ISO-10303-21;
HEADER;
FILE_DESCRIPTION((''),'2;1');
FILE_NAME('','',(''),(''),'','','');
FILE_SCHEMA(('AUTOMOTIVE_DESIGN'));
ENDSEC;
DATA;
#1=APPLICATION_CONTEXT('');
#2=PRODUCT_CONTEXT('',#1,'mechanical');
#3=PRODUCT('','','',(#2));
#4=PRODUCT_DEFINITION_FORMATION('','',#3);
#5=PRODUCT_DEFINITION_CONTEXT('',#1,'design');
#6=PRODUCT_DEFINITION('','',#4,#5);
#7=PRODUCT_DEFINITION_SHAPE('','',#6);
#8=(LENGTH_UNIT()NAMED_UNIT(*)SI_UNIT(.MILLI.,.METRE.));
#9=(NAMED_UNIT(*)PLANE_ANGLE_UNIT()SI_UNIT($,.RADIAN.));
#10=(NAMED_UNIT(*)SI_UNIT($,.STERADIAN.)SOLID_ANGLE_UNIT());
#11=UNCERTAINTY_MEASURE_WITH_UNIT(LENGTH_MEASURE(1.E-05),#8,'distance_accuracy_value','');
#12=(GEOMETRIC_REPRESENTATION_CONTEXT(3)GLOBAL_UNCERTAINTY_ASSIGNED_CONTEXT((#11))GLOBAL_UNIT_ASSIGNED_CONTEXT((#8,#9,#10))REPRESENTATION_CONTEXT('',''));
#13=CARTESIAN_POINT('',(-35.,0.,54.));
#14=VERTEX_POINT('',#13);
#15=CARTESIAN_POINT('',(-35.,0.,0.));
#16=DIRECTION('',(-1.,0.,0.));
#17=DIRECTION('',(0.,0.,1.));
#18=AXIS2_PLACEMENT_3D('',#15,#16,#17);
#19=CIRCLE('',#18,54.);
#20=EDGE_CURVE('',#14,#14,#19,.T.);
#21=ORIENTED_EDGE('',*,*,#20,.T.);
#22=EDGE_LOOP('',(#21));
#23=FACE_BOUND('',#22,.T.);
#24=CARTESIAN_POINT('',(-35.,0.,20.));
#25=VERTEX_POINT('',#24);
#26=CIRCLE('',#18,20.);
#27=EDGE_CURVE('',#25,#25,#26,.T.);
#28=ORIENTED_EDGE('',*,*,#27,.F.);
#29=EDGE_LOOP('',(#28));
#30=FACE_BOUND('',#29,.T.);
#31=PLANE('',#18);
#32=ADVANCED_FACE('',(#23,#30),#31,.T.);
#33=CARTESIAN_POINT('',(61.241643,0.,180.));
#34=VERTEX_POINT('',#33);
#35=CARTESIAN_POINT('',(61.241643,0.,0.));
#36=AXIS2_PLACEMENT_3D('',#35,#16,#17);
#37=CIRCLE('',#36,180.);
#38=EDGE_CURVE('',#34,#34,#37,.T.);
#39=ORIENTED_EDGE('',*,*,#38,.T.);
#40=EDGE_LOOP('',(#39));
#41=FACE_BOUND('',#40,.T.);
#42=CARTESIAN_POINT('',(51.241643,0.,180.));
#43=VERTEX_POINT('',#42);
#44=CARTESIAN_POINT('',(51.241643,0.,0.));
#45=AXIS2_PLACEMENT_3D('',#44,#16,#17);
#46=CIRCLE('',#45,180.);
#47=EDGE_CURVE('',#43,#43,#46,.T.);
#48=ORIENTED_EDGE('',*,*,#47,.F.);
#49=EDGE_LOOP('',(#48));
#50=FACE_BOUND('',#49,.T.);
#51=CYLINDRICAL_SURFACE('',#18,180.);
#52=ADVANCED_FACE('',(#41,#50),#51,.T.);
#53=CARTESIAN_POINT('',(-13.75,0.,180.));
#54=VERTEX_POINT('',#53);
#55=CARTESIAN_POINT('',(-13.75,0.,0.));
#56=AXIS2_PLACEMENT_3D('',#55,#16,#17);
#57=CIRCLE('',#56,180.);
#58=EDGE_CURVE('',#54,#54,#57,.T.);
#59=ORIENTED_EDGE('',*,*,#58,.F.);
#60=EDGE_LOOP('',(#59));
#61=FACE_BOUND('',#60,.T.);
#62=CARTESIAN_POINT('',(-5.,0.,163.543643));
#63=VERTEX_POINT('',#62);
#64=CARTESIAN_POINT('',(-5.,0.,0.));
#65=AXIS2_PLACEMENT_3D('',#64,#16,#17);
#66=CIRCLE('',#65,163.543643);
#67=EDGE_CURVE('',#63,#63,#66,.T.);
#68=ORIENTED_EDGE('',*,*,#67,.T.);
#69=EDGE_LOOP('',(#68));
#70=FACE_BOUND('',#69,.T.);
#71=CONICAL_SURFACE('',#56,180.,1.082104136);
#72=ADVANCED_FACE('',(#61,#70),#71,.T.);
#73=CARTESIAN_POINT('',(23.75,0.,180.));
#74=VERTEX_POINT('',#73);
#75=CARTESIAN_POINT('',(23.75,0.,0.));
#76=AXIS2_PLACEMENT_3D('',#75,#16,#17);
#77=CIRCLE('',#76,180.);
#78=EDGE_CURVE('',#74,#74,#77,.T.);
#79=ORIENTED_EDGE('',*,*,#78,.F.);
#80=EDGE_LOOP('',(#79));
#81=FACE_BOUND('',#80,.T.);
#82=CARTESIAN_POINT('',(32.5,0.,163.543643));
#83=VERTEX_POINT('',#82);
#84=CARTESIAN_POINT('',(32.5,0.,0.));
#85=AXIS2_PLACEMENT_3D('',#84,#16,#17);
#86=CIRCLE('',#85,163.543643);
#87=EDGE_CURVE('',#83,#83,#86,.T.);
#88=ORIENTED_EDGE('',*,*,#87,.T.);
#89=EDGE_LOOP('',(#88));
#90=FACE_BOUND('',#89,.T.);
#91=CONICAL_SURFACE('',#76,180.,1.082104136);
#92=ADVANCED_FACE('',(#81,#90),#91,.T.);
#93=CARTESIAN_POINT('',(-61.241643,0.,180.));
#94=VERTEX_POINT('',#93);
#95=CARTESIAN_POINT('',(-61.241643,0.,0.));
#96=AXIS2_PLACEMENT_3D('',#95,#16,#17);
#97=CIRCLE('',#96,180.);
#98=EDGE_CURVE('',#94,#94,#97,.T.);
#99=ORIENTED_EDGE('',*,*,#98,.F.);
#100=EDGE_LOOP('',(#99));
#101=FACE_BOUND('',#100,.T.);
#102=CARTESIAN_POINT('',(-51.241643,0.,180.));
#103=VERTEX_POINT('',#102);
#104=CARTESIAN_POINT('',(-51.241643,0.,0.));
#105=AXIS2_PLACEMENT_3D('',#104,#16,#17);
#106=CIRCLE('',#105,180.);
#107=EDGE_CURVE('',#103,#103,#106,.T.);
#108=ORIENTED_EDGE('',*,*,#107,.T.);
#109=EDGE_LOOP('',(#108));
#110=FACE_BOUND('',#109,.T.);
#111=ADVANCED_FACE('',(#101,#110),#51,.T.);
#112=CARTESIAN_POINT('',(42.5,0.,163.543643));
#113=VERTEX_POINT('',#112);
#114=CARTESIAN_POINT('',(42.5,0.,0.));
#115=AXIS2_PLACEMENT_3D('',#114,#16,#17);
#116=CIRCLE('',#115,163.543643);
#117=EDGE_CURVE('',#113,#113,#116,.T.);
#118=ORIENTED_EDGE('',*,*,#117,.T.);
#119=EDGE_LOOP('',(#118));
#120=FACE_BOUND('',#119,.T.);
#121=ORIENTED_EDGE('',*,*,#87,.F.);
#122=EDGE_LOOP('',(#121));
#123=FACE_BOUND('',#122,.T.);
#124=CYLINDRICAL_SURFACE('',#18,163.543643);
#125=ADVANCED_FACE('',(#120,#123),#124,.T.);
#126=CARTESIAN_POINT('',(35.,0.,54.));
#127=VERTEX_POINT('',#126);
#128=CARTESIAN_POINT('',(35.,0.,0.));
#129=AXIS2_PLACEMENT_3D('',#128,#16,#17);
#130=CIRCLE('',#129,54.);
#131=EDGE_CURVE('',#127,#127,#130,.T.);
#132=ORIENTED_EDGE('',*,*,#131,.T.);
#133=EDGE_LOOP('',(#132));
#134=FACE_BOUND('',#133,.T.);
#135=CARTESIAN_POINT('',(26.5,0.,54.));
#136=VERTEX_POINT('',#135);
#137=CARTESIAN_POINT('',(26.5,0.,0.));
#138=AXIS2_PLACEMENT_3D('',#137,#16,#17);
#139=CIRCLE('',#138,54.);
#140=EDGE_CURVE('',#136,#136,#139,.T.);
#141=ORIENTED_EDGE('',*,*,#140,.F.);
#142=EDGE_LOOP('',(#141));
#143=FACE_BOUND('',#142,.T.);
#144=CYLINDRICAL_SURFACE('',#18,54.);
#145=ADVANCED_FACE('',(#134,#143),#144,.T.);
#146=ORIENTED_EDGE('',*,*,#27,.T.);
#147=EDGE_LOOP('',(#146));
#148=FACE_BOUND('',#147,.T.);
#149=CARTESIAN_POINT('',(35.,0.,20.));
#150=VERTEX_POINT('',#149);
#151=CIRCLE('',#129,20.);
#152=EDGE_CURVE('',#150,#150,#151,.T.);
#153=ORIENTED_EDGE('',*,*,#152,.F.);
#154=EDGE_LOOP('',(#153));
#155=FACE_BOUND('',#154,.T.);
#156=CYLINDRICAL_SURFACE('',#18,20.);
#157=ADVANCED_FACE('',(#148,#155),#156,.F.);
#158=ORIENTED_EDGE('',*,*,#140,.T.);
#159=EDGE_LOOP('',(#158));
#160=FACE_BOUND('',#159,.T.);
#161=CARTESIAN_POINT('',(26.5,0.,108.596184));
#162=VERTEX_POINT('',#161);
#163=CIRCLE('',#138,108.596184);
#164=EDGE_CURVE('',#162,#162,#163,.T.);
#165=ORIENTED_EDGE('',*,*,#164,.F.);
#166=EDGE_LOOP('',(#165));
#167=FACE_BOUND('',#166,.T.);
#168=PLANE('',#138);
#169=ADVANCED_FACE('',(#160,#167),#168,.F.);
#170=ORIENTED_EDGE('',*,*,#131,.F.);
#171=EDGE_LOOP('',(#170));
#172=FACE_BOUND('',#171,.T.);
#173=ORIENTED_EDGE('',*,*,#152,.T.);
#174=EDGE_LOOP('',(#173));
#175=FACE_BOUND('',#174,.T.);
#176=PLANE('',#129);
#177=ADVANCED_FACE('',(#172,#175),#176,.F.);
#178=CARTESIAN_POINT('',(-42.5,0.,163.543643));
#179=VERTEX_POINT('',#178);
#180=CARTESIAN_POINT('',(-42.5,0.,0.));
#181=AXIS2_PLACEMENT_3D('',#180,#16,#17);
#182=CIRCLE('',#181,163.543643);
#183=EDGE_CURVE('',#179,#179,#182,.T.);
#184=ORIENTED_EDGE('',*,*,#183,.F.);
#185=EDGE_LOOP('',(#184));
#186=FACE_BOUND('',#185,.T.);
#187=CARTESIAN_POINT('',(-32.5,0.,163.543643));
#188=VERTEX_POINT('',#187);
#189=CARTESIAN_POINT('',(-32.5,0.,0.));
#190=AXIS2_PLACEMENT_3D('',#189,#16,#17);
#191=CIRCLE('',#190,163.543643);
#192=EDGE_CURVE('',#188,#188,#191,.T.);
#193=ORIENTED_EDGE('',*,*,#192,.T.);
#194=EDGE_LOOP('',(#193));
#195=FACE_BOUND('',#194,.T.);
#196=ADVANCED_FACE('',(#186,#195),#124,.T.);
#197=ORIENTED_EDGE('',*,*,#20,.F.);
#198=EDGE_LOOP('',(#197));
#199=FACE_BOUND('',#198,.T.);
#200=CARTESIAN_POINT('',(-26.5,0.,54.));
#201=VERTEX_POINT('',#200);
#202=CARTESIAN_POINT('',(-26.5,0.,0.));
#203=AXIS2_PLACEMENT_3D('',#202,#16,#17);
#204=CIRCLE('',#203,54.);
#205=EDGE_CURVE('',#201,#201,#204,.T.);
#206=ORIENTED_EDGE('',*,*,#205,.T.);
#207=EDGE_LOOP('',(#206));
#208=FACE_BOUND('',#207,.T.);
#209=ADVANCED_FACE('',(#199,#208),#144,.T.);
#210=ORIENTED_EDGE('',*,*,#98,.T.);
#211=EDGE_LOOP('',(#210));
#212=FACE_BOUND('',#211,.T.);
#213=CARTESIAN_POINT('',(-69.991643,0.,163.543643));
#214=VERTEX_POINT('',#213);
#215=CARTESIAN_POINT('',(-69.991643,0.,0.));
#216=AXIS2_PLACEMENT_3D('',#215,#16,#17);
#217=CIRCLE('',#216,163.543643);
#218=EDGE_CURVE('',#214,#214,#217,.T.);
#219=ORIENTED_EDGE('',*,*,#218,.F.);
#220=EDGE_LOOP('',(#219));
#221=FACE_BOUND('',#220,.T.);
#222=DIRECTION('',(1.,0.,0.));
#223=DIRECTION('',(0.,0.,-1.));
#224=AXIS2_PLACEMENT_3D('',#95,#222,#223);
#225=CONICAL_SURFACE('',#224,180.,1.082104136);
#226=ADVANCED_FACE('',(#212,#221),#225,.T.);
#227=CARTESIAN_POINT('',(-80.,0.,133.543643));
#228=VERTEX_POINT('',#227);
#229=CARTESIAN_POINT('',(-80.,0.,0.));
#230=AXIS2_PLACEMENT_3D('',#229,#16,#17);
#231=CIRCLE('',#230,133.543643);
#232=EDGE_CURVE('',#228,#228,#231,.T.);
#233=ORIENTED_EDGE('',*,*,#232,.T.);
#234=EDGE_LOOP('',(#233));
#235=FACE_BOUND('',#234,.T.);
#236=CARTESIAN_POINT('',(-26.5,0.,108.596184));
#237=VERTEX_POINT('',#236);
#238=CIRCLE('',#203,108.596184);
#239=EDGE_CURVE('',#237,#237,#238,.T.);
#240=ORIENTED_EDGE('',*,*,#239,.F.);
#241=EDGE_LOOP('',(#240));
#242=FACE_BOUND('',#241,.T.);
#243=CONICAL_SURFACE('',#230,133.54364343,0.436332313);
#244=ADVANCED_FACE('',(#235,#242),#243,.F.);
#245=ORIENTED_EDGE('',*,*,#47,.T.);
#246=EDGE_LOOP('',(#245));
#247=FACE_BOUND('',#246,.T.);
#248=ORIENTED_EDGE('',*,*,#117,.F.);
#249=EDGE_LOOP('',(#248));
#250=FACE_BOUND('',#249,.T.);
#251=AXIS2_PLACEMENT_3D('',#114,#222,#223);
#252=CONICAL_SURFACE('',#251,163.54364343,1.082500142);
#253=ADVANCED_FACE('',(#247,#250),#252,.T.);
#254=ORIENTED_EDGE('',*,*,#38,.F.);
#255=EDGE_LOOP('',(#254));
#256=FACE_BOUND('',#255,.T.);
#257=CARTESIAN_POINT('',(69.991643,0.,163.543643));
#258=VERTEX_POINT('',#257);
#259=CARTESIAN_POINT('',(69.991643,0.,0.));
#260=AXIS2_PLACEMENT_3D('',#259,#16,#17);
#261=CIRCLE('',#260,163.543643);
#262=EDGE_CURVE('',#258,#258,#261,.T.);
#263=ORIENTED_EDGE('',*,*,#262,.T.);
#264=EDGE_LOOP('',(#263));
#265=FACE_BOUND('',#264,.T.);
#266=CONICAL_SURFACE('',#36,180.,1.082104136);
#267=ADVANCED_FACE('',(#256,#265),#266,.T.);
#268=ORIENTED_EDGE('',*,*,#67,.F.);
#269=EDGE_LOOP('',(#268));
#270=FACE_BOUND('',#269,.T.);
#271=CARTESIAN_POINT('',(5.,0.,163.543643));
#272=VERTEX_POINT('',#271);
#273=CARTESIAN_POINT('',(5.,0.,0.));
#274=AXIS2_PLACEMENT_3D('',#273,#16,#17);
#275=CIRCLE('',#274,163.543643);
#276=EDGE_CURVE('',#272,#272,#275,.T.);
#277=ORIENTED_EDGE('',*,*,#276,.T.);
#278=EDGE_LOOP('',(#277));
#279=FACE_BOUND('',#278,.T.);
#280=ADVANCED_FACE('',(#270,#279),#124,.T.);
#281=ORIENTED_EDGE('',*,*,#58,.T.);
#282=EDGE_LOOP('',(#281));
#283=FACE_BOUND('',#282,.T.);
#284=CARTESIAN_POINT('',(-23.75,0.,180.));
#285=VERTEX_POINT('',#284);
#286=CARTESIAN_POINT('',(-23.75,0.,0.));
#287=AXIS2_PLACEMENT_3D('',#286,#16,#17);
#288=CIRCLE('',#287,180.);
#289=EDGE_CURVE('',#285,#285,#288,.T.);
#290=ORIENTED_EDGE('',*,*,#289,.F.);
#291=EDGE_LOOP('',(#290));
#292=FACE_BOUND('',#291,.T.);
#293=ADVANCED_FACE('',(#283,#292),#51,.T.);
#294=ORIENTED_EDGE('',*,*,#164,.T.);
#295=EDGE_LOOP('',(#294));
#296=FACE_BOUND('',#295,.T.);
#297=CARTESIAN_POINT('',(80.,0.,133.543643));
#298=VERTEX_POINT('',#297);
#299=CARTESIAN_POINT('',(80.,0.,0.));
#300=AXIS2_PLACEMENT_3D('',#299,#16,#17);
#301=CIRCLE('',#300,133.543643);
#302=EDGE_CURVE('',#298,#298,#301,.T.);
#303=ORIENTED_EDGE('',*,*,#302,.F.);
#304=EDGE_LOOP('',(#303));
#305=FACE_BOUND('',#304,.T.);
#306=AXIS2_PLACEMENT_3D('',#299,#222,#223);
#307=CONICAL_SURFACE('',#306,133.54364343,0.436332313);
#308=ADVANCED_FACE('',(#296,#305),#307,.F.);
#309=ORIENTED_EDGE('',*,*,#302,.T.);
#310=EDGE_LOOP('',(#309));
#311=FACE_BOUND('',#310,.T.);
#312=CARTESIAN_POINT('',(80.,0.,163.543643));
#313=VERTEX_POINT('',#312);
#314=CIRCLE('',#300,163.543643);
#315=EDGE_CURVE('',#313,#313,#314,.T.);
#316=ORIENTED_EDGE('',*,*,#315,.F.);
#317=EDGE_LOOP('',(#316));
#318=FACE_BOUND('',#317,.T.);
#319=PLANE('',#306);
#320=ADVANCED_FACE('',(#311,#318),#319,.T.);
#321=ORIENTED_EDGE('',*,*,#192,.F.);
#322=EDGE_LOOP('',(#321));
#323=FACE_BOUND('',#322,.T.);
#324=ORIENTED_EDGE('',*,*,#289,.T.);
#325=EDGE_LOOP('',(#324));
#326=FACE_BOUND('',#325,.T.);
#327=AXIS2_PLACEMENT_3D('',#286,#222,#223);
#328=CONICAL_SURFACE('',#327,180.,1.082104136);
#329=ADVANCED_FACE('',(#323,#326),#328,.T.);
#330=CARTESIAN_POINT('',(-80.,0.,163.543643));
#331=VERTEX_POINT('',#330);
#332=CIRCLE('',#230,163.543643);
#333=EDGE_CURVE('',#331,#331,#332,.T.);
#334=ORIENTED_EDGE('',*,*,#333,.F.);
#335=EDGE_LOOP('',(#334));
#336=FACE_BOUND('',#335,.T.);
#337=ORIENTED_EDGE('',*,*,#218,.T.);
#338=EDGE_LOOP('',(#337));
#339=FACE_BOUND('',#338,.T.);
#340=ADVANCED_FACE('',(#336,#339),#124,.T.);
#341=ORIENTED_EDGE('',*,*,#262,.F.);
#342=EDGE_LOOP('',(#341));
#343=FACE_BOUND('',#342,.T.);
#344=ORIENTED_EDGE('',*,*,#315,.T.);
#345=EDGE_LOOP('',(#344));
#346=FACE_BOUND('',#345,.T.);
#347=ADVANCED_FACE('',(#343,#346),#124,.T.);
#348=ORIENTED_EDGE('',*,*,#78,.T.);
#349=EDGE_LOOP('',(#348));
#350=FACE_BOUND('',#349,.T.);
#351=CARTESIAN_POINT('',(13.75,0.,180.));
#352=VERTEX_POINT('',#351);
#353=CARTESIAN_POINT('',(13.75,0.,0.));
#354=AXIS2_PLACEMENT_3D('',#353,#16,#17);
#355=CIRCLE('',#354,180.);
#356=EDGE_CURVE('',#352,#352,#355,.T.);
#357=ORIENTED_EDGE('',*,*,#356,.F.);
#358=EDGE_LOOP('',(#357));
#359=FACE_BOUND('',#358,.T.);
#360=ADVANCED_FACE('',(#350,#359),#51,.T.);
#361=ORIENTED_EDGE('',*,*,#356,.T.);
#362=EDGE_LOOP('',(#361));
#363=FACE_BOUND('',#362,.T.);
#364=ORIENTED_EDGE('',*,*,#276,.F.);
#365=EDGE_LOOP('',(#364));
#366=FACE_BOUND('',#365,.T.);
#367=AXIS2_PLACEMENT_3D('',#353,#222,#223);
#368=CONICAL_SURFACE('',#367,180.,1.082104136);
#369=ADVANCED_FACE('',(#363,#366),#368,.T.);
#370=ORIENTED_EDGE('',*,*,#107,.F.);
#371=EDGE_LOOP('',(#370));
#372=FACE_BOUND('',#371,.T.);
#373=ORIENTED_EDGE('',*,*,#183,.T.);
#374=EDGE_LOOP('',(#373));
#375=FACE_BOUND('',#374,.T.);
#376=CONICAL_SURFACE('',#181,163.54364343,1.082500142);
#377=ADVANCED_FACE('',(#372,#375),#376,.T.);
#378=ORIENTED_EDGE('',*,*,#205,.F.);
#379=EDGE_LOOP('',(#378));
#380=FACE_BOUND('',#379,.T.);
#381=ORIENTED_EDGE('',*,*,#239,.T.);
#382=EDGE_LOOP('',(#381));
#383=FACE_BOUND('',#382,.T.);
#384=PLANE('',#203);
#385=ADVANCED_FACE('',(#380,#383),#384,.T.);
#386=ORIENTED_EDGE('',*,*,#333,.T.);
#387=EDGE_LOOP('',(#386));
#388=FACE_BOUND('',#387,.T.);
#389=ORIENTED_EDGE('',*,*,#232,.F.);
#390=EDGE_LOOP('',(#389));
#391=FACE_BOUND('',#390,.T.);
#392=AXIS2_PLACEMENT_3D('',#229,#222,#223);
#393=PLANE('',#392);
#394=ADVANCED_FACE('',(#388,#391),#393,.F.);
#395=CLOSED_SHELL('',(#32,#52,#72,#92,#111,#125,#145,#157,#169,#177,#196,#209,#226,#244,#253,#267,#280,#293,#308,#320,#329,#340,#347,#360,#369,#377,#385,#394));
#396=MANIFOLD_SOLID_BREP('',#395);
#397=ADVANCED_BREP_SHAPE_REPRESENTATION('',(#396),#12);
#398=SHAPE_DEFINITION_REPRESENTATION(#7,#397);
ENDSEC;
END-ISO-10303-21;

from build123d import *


with BuildPart() as part:
    # Sketch1 → Revolve2 (revolve)
    with BuildSketch(Plane.XY, mode=Mode.PRIVATE) as revolve2_sk:
        Polygon((-35, 20), (-35, 54), (-26.5, 54), (-26.5, 108.596183719), (-80, 133.54364343), (-80, 163.54364343), (-69.991642542, 163.54364343), (-61.241642543, 180), (-51.241642542, 180), (-42.500000003, 163.54364343), (-32.500000001, 163.54364343), (-23.750000002, 180), (-13.75, 180), (-5.000000001, 163.54364343), (5.000000001, 163.54364343), (13.75, 180), (23.750000002, 180), (32.500000001, 163.54364343), (42.500000003, 163.54364343), (51.241642542, 180), (61.241642543, 180), (69.991642542, 163.54364343), (80, 163.54364343), (80, 133.54364343), (26.5, 108.596183719), (26.5, 54), (35, 54), (35, 20), align=None)
    revolve(revolve2_sk.sketch.rotate(Axis((-35, 0, 0), (1, 0, 0)), 90), axis=Axis((-35, 0, 0), (1, 0, 0)))


solid = part.part
